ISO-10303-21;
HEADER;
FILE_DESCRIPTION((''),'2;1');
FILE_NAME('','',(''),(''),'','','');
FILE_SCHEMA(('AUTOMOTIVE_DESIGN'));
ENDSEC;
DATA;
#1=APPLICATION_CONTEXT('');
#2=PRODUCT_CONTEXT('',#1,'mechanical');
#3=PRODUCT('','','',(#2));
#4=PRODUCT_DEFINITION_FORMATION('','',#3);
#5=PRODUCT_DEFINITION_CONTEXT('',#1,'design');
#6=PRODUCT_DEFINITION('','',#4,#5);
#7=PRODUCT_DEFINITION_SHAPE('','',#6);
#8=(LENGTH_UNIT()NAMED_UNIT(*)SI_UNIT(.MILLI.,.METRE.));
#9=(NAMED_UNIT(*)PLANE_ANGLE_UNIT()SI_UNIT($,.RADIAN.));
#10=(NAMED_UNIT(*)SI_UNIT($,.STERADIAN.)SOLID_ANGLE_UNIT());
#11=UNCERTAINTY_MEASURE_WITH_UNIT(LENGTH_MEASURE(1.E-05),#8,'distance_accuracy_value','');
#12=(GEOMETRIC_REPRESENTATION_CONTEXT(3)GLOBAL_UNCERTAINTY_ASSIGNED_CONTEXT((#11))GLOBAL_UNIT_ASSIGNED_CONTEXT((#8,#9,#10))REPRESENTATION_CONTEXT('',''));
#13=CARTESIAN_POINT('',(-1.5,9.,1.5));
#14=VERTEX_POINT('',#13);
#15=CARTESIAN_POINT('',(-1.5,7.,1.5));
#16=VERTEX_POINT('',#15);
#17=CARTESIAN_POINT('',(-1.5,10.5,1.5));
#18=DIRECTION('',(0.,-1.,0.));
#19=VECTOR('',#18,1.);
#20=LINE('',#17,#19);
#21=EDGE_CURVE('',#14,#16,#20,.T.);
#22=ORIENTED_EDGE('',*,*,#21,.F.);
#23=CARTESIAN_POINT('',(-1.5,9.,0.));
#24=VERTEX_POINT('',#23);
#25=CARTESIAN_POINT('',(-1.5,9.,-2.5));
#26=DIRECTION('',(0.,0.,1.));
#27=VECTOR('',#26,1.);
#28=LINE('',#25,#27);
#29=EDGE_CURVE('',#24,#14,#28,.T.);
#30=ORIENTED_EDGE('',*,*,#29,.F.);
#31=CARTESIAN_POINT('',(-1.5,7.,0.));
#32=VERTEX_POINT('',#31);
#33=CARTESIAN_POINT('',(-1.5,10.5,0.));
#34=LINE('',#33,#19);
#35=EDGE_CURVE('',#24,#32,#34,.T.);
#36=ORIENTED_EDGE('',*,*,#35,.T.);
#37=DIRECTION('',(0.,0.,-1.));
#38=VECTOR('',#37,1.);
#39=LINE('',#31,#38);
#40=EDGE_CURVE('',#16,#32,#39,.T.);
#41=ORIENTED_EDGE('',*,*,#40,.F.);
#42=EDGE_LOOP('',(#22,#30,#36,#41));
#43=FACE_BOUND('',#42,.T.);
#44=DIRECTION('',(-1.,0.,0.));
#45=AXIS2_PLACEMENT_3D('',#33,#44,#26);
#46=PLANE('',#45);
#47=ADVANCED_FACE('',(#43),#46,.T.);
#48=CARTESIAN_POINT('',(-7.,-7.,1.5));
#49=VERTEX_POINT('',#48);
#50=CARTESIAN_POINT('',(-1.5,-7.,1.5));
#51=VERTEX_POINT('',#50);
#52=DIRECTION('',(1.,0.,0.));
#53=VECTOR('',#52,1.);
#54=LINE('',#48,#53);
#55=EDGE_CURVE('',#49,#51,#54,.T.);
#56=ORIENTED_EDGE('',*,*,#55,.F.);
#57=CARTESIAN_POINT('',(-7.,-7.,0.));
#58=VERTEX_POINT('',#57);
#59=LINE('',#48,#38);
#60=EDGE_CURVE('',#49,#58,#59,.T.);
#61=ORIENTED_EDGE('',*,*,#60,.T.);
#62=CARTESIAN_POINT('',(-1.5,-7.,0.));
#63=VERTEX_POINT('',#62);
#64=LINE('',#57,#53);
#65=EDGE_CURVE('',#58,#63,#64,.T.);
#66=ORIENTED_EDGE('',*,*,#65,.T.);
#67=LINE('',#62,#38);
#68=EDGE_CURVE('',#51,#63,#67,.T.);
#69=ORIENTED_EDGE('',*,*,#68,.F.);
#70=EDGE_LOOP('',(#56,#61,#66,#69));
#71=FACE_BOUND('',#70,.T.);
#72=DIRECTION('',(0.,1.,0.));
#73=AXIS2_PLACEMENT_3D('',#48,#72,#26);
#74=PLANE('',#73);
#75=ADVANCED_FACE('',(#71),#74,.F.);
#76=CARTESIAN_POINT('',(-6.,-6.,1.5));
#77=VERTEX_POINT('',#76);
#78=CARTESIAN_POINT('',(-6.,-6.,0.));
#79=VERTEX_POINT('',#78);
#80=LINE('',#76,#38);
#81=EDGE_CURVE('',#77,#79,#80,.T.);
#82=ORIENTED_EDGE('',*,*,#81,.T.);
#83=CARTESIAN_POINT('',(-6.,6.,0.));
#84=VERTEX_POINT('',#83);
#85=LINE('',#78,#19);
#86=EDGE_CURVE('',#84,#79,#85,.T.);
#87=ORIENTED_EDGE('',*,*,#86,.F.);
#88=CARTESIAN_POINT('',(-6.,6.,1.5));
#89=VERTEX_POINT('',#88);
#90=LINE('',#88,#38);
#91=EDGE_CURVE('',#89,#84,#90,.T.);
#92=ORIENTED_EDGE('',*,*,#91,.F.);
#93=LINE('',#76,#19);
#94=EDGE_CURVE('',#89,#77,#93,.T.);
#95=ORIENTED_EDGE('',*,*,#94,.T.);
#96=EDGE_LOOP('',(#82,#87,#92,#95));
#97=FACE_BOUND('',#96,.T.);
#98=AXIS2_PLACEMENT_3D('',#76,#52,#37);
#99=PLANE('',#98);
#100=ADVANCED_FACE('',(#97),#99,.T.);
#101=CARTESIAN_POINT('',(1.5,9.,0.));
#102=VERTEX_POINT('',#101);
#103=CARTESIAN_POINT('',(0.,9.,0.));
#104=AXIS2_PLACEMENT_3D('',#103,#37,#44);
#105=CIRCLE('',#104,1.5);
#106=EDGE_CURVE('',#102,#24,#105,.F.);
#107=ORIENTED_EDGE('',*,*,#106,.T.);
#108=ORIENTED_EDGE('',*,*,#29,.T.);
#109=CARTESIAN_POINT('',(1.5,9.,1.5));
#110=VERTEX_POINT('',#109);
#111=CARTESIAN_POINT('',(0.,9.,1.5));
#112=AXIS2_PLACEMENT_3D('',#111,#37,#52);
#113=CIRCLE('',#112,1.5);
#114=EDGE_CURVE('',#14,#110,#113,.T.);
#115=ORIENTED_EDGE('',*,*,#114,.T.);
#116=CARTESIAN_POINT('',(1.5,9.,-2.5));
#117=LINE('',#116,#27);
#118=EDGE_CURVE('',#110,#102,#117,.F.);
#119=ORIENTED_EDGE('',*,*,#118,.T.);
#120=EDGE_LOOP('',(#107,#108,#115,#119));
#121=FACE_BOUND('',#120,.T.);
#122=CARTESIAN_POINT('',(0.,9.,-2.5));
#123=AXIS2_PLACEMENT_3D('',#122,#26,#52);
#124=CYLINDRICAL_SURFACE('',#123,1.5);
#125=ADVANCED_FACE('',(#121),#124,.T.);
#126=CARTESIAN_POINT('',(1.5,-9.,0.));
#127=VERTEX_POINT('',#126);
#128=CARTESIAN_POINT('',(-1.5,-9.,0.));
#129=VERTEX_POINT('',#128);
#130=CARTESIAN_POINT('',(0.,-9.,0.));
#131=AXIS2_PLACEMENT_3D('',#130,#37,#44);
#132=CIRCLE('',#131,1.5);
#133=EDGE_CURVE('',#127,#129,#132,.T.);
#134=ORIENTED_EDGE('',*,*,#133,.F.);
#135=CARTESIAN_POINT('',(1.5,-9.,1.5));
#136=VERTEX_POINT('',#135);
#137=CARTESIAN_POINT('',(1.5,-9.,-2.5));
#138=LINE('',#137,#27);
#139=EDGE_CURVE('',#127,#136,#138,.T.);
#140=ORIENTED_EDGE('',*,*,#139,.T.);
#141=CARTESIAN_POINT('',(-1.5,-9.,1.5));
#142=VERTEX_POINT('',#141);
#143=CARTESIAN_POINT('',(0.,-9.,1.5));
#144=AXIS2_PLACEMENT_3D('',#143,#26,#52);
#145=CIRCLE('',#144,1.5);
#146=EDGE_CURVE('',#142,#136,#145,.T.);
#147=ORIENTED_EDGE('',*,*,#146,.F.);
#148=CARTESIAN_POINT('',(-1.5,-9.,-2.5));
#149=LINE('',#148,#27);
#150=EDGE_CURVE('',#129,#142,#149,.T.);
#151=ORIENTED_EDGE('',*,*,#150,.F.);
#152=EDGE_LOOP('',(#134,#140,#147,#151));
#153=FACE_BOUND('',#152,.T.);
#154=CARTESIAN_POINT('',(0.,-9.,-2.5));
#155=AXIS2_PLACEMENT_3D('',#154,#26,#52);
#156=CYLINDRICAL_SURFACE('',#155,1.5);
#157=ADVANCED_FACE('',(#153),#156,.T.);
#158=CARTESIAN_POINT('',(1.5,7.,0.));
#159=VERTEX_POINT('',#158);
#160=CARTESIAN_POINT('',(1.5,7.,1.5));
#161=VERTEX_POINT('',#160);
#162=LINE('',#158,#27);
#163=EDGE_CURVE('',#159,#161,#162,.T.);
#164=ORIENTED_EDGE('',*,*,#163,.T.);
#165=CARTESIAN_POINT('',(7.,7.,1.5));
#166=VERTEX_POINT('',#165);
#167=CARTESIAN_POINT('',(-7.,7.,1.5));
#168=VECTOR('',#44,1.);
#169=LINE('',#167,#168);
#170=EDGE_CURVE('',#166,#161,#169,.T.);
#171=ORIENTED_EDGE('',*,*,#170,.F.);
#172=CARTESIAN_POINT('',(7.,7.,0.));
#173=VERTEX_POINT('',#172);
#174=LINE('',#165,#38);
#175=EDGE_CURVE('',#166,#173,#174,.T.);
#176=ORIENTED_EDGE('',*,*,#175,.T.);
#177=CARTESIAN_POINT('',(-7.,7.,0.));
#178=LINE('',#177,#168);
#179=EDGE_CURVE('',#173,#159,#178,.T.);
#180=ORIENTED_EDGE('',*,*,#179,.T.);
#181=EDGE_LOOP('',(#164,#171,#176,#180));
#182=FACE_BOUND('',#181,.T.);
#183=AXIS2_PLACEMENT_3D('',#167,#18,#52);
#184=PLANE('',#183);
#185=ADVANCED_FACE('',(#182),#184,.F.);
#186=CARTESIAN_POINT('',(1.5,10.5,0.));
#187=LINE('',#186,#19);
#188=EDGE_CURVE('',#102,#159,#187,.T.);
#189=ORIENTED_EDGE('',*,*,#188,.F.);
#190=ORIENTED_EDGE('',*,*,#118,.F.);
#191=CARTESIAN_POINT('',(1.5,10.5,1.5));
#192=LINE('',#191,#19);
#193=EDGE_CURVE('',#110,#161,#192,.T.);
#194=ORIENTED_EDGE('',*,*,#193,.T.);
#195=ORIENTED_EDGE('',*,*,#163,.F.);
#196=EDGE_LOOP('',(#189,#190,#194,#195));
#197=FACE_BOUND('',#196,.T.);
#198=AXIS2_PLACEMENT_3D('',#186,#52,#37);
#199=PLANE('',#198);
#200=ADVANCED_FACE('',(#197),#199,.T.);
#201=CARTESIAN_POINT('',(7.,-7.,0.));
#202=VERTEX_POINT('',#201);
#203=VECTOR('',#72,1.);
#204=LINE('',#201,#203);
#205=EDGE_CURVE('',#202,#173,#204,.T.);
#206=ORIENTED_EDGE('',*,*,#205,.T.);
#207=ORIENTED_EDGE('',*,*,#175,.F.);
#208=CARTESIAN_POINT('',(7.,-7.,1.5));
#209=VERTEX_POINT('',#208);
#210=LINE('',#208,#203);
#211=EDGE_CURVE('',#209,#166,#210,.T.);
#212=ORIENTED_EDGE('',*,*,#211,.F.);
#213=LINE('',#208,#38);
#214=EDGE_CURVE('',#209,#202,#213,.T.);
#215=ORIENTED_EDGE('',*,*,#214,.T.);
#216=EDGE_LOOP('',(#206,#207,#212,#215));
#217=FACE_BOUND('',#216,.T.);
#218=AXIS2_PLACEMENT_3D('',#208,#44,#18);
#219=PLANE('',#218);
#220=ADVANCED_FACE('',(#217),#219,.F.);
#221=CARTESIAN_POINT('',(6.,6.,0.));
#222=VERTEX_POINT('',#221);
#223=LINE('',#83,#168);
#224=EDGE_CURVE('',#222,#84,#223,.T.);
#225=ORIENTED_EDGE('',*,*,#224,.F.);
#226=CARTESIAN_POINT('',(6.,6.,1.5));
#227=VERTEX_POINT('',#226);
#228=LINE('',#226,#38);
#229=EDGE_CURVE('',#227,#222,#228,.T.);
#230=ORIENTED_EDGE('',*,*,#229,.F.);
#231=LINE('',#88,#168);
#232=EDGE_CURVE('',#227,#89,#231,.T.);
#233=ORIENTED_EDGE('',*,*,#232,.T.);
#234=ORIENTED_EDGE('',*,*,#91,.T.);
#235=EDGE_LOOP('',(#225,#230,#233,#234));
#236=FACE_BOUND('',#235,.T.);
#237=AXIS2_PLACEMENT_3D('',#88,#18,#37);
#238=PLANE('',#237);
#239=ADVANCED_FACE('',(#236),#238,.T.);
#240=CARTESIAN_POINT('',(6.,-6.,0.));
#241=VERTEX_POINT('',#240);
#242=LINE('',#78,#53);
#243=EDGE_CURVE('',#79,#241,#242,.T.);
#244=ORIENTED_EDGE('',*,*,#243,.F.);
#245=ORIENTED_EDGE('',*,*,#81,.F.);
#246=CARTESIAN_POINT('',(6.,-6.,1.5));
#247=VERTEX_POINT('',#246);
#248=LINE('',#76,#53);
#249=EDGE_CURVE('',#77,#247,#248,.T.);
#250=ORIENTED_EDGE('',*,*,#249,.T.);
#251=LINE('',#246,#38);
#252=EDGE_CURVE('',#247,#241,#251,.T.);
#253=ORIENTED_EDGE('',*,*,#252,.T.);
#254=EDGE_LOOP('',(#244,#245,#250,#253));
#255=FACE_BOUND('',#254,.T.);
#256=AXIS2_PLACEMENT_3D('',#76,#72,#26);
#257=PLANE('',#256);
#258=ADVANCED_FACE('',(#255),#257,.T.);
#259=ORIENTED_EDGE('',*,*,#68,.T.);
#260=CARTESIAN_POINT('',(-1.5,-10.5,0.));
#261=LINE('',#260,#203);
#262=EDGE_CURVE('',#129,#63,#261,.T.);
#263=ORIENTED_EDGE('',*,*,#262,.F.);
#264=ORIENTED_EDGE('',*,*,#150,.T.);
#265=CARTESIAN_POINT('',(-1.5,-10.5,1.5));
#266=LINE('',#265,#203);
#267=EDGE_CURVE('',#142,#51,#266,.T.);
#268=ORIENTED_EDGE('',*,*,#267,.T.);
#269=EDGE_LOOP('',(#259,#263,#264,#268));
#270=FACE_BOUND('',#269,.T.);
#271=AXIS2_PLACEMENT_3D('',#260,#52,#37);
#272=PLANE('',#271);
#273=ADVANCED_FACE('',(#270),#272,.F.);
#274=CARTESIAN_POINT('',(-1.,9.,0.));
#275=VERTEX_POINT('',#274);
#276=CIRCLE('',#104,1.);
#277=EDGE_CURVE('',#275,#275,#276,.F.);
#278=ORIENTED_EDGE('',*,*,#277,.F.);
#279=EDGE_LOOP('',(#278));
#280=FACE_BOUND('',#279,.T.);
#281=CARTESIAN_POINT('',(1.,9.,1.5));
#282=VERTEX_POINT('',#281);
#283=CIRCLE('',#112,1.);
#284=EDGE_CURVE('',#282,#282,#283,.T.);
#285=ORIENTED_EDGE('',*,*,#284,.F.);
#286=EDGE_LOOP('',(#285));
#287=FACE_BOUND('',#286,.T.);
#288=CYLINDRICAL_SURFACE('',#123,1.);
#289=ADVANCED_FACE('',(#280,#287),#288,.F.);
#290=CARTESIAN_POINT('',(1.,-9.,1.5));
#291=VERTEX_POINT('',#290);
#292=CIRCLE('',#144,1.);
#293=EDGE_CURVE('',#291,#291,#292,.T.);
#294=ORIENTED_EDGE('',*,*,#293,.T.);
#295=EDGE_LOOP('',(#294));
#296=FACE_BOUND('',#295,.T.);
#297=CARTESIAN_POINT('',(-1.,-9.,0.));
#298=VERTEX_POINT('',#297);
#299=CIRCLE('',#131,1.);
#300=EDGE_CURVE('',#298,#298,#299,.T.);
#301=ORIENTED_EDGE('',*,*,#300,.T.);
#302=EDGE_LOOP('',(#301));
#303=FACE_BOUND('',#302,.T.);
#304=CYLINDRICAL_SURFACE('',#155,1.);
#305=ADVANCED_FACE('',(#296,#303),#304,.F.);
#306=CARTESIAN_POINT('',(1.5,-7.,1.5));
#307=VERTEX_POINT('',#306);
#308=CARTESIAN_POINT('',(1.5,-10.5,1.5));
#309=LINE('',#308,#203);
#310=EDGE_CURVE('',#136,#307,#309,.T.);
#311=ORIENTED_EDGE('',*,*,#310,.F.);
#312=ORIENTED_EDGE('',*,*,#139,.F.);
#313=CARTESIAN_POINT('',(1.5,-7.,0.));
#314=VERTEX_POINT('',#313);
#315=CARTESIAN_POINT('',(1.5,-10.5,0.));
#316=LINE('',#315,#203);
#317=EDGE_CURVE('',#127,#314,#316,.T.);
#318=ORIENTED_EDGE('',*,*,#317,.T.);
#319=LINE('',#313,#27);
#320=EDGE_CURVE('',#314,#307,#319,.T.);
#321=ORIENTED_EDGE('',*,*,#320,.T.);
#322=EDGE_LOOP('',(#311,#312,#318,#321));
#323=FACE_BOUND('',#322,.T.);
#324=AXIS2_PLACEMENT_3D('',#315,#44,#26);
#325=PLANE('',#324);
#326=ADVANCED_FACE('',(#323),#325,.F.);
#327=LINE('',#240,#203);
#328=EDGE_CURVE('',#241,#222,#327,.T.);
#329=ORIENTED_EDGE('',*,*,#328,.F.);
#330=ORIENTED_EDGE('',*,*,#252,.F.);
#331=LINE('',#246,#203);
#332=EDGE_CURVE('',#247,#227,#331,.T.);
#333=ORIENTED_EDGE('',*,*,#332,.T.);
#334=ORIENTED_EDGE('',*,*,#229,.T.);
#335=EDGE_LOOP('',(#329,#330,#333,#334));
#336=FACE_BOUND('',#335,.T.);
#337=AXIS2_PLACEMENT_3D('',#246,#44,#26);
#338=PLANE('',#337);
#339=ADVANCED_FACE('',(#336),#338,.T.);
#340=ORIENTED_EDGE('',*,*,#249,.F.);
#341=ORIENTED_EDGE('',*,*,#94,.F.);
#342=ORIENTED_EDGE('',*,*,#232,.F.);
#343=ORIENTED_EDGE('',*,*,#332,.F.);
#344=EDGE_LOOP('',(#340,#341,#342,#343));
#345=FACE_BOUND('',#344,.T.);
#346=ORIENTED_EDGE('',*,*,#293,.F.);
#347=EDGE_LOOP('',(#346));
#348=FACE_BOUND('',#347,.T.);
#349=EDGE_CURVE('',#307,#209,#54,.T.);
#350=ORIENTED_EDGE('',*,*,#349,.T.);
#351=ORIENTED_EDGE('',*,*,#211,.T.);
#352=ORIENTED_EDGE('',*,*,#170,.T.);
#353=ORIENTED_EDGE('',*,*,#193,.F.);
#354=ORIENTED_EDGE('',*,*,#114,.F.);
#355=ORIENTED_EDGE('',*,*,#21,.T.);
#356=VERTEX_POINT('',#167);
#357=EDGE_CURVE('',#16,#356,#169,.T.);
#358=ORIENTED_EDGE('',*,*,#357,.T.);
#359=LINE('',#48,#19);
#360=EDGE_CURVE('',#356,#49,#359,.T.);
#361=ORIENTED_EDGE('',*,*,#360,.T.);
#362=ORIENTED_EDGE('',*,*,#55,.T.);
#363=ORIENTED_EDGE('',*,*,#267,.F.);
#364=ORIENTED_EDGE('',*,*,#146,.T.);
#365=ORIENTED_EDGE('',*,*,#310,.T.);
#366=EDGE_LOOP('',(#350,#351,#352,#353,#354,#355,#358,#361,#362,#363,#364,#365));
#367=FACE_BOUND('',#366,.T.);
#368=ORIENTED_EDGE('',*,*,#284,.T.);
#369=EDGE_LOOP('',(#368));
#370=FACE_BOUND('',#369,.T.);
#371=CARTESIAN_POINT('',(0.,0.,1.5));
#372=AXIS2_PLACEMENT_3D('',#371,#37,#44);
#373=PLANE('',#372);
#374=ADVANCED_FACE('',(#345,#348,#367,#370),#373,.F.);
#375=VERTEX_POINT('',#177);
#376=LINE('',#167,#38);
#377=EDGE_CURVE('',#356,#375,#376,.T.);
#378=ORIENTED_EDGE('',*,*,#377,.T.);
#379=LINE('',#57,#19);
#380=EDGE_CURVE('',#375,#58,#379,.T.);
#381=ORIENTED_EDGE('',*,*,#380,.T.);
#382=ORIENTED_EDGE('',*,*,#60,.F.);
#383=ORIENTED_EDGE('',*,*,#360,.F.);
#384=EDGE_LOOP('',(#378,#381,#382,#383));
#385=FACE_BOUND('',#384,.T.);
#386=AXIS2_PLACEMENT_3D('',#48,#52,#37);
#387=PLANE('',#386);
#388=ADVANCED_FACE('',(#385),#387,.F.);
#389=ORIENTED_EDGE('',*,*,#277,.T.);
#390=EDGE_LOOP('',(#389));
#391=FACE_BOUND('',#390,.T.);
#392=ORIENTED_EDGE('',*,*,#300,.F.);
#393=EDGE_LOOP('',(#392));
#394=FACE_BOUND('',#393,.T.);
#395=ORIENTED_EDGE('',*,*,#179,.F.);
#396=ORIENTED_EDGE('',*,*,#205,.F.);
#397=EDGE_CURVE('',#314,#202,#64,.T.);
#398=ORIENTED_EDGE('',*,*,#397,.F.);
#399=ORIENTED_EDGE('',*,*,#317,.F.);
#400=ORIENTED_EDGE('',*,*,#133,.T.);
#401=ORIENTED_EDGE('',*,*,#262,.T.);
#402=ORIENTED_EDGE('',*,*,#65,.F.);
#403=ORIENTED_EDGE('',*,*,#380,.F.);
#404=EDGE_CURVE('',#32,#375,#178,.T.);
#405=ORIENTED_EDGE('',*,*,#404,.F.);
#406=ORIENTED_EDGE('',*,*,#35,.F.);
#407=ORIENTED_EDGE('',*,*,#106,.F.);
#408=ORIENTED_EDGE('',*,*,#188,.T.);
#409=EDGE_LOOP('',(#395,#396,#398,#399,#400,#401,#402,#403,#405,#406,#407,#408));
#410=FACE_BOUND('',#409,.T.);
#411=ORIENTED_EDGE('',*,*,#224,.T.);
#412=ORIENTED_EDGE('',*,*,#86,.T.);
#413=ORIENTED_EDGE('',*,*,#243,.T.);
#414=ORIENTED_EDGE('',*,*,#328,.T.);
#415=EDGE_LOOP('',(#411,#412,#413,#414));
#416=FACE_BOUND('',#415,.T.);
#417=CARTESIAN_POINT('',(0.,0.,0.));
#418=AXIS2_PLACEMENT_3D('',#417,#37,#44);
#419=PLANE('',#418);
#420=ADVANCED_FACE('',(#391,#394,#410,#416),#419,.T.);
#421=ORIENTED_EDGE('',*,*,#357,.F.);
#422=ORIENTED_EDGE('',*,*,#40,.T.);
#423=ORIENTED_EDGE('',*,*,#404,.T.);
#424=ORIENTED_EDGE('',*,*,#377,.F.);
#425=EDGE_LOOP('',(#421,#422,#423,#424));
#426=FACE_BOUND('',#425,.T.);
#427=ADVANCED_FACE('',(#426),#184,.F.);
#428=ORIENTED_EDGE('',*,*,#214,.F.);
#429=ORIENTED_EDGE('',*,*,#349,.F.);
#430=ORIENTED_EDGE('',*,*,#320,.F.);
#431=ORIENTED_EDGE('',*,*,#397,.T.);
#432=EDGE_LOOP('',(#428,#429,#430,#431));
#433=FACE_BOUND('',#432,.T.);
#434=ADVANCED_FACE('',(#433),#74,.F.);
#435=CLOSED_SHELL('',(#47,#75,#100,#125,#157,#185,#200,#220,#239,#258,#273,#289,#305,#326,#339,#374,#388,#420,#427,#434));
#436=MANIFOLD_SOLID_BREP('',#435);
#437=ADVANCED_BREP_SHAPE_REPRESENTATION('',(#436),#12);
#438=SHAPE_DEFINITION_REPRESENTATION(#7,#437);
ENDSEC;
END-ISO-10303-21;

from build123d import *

# Parameters (mm, degrees)
SKETCH_6_W          = 14
SKETCH_6_H          = 14
SKETCH_6_W_2        = 12
SKETCH_6_H_2        = 12
EXTRUDE_3_DEPTH     = 1.5
SKETCH_7_W          = 3
SKETCH_7_H          = 1.5
EXTRUDE_4_DEPTH     = 3.5
CUT_EXTRUDE_3_DEPTH = 4
SKETCH_11_R         = 1
CUT_EXTRUDE_5_DEPTH = 4


with BuildPart() as part:
    # 草图6 → 凸台-拉伸3 (new body)
    with BuildSketch(Plane.XY):
        Rectangle(SKETCH_6_W, SKETCH_6_H)
        Rectangle(SKETCH_6_W_2, SKETCH_6_H_2, mode=Mode.SUBTRACT)
    extrude(amount=EXTRUDE_3_DEPTH)

    # 草图7 → 凸台-拉伸4 (add)
    with BuildSketch(Plane.XZ.offset(7)):
        with Locations((0, 0.75)):
            Rectangle(SKETCH_7_W, SKETCH_7_H)
    extrude_4 = extrude(amount=EXTRUDE_4_DEPTH)

    # 草图8 → 切除-拉伸3 (cut)
    with BuildSketch(Plane.XY.offset(1.5)):
        with BuildLine():
            ThreePointArc((0, -10.5), (-1.060660172, -10.060660172), (-1.5, -9))
            Line((-1.5, -9), (-1.5, -10.5))
            Line((-1.5, -10.5), (0, -10.5))
        make_face()
        with BuildLine():
            Line((1.5, -10.5), (1.5, -9))
            ThreePointArc((1.5, -9), (1.060660172, -10.060660172), (0, -10.5))
            Line((0, -10.5), (1.5, -10.5))
        make_face()
    cut_extrude_3 = extrude(amount=-CUT_EXTRUDE_3_DEPTH, mode=Mode.SUBTRACT)

    # 草图11 → 切除-拉伸5 (cut)
    with BuildSketch(Plane.XY.offset(1.5)):
        with Locations((0, -9)):
            Circle(SKETCH_11_R)
    cut_extrude_5 = extrude(amount=-CUT_EXTRUDE_5_DEPTH, mode=Mode.SUBTRACT)

    # 镜向1: 凸台-拉伸4, 切除-拉伸3, 切除-拉伸5 across plane
    add(extrude_4.mirror(Plane.ZX))
    add(cut_extrude_3.mirror(Plane.ZX), mode=Mode.SUBTRACT)
    add(cut_extrude_5.mirror(Plane.ZX), mode=Mode.SUBTRACT)


solid = part.part
